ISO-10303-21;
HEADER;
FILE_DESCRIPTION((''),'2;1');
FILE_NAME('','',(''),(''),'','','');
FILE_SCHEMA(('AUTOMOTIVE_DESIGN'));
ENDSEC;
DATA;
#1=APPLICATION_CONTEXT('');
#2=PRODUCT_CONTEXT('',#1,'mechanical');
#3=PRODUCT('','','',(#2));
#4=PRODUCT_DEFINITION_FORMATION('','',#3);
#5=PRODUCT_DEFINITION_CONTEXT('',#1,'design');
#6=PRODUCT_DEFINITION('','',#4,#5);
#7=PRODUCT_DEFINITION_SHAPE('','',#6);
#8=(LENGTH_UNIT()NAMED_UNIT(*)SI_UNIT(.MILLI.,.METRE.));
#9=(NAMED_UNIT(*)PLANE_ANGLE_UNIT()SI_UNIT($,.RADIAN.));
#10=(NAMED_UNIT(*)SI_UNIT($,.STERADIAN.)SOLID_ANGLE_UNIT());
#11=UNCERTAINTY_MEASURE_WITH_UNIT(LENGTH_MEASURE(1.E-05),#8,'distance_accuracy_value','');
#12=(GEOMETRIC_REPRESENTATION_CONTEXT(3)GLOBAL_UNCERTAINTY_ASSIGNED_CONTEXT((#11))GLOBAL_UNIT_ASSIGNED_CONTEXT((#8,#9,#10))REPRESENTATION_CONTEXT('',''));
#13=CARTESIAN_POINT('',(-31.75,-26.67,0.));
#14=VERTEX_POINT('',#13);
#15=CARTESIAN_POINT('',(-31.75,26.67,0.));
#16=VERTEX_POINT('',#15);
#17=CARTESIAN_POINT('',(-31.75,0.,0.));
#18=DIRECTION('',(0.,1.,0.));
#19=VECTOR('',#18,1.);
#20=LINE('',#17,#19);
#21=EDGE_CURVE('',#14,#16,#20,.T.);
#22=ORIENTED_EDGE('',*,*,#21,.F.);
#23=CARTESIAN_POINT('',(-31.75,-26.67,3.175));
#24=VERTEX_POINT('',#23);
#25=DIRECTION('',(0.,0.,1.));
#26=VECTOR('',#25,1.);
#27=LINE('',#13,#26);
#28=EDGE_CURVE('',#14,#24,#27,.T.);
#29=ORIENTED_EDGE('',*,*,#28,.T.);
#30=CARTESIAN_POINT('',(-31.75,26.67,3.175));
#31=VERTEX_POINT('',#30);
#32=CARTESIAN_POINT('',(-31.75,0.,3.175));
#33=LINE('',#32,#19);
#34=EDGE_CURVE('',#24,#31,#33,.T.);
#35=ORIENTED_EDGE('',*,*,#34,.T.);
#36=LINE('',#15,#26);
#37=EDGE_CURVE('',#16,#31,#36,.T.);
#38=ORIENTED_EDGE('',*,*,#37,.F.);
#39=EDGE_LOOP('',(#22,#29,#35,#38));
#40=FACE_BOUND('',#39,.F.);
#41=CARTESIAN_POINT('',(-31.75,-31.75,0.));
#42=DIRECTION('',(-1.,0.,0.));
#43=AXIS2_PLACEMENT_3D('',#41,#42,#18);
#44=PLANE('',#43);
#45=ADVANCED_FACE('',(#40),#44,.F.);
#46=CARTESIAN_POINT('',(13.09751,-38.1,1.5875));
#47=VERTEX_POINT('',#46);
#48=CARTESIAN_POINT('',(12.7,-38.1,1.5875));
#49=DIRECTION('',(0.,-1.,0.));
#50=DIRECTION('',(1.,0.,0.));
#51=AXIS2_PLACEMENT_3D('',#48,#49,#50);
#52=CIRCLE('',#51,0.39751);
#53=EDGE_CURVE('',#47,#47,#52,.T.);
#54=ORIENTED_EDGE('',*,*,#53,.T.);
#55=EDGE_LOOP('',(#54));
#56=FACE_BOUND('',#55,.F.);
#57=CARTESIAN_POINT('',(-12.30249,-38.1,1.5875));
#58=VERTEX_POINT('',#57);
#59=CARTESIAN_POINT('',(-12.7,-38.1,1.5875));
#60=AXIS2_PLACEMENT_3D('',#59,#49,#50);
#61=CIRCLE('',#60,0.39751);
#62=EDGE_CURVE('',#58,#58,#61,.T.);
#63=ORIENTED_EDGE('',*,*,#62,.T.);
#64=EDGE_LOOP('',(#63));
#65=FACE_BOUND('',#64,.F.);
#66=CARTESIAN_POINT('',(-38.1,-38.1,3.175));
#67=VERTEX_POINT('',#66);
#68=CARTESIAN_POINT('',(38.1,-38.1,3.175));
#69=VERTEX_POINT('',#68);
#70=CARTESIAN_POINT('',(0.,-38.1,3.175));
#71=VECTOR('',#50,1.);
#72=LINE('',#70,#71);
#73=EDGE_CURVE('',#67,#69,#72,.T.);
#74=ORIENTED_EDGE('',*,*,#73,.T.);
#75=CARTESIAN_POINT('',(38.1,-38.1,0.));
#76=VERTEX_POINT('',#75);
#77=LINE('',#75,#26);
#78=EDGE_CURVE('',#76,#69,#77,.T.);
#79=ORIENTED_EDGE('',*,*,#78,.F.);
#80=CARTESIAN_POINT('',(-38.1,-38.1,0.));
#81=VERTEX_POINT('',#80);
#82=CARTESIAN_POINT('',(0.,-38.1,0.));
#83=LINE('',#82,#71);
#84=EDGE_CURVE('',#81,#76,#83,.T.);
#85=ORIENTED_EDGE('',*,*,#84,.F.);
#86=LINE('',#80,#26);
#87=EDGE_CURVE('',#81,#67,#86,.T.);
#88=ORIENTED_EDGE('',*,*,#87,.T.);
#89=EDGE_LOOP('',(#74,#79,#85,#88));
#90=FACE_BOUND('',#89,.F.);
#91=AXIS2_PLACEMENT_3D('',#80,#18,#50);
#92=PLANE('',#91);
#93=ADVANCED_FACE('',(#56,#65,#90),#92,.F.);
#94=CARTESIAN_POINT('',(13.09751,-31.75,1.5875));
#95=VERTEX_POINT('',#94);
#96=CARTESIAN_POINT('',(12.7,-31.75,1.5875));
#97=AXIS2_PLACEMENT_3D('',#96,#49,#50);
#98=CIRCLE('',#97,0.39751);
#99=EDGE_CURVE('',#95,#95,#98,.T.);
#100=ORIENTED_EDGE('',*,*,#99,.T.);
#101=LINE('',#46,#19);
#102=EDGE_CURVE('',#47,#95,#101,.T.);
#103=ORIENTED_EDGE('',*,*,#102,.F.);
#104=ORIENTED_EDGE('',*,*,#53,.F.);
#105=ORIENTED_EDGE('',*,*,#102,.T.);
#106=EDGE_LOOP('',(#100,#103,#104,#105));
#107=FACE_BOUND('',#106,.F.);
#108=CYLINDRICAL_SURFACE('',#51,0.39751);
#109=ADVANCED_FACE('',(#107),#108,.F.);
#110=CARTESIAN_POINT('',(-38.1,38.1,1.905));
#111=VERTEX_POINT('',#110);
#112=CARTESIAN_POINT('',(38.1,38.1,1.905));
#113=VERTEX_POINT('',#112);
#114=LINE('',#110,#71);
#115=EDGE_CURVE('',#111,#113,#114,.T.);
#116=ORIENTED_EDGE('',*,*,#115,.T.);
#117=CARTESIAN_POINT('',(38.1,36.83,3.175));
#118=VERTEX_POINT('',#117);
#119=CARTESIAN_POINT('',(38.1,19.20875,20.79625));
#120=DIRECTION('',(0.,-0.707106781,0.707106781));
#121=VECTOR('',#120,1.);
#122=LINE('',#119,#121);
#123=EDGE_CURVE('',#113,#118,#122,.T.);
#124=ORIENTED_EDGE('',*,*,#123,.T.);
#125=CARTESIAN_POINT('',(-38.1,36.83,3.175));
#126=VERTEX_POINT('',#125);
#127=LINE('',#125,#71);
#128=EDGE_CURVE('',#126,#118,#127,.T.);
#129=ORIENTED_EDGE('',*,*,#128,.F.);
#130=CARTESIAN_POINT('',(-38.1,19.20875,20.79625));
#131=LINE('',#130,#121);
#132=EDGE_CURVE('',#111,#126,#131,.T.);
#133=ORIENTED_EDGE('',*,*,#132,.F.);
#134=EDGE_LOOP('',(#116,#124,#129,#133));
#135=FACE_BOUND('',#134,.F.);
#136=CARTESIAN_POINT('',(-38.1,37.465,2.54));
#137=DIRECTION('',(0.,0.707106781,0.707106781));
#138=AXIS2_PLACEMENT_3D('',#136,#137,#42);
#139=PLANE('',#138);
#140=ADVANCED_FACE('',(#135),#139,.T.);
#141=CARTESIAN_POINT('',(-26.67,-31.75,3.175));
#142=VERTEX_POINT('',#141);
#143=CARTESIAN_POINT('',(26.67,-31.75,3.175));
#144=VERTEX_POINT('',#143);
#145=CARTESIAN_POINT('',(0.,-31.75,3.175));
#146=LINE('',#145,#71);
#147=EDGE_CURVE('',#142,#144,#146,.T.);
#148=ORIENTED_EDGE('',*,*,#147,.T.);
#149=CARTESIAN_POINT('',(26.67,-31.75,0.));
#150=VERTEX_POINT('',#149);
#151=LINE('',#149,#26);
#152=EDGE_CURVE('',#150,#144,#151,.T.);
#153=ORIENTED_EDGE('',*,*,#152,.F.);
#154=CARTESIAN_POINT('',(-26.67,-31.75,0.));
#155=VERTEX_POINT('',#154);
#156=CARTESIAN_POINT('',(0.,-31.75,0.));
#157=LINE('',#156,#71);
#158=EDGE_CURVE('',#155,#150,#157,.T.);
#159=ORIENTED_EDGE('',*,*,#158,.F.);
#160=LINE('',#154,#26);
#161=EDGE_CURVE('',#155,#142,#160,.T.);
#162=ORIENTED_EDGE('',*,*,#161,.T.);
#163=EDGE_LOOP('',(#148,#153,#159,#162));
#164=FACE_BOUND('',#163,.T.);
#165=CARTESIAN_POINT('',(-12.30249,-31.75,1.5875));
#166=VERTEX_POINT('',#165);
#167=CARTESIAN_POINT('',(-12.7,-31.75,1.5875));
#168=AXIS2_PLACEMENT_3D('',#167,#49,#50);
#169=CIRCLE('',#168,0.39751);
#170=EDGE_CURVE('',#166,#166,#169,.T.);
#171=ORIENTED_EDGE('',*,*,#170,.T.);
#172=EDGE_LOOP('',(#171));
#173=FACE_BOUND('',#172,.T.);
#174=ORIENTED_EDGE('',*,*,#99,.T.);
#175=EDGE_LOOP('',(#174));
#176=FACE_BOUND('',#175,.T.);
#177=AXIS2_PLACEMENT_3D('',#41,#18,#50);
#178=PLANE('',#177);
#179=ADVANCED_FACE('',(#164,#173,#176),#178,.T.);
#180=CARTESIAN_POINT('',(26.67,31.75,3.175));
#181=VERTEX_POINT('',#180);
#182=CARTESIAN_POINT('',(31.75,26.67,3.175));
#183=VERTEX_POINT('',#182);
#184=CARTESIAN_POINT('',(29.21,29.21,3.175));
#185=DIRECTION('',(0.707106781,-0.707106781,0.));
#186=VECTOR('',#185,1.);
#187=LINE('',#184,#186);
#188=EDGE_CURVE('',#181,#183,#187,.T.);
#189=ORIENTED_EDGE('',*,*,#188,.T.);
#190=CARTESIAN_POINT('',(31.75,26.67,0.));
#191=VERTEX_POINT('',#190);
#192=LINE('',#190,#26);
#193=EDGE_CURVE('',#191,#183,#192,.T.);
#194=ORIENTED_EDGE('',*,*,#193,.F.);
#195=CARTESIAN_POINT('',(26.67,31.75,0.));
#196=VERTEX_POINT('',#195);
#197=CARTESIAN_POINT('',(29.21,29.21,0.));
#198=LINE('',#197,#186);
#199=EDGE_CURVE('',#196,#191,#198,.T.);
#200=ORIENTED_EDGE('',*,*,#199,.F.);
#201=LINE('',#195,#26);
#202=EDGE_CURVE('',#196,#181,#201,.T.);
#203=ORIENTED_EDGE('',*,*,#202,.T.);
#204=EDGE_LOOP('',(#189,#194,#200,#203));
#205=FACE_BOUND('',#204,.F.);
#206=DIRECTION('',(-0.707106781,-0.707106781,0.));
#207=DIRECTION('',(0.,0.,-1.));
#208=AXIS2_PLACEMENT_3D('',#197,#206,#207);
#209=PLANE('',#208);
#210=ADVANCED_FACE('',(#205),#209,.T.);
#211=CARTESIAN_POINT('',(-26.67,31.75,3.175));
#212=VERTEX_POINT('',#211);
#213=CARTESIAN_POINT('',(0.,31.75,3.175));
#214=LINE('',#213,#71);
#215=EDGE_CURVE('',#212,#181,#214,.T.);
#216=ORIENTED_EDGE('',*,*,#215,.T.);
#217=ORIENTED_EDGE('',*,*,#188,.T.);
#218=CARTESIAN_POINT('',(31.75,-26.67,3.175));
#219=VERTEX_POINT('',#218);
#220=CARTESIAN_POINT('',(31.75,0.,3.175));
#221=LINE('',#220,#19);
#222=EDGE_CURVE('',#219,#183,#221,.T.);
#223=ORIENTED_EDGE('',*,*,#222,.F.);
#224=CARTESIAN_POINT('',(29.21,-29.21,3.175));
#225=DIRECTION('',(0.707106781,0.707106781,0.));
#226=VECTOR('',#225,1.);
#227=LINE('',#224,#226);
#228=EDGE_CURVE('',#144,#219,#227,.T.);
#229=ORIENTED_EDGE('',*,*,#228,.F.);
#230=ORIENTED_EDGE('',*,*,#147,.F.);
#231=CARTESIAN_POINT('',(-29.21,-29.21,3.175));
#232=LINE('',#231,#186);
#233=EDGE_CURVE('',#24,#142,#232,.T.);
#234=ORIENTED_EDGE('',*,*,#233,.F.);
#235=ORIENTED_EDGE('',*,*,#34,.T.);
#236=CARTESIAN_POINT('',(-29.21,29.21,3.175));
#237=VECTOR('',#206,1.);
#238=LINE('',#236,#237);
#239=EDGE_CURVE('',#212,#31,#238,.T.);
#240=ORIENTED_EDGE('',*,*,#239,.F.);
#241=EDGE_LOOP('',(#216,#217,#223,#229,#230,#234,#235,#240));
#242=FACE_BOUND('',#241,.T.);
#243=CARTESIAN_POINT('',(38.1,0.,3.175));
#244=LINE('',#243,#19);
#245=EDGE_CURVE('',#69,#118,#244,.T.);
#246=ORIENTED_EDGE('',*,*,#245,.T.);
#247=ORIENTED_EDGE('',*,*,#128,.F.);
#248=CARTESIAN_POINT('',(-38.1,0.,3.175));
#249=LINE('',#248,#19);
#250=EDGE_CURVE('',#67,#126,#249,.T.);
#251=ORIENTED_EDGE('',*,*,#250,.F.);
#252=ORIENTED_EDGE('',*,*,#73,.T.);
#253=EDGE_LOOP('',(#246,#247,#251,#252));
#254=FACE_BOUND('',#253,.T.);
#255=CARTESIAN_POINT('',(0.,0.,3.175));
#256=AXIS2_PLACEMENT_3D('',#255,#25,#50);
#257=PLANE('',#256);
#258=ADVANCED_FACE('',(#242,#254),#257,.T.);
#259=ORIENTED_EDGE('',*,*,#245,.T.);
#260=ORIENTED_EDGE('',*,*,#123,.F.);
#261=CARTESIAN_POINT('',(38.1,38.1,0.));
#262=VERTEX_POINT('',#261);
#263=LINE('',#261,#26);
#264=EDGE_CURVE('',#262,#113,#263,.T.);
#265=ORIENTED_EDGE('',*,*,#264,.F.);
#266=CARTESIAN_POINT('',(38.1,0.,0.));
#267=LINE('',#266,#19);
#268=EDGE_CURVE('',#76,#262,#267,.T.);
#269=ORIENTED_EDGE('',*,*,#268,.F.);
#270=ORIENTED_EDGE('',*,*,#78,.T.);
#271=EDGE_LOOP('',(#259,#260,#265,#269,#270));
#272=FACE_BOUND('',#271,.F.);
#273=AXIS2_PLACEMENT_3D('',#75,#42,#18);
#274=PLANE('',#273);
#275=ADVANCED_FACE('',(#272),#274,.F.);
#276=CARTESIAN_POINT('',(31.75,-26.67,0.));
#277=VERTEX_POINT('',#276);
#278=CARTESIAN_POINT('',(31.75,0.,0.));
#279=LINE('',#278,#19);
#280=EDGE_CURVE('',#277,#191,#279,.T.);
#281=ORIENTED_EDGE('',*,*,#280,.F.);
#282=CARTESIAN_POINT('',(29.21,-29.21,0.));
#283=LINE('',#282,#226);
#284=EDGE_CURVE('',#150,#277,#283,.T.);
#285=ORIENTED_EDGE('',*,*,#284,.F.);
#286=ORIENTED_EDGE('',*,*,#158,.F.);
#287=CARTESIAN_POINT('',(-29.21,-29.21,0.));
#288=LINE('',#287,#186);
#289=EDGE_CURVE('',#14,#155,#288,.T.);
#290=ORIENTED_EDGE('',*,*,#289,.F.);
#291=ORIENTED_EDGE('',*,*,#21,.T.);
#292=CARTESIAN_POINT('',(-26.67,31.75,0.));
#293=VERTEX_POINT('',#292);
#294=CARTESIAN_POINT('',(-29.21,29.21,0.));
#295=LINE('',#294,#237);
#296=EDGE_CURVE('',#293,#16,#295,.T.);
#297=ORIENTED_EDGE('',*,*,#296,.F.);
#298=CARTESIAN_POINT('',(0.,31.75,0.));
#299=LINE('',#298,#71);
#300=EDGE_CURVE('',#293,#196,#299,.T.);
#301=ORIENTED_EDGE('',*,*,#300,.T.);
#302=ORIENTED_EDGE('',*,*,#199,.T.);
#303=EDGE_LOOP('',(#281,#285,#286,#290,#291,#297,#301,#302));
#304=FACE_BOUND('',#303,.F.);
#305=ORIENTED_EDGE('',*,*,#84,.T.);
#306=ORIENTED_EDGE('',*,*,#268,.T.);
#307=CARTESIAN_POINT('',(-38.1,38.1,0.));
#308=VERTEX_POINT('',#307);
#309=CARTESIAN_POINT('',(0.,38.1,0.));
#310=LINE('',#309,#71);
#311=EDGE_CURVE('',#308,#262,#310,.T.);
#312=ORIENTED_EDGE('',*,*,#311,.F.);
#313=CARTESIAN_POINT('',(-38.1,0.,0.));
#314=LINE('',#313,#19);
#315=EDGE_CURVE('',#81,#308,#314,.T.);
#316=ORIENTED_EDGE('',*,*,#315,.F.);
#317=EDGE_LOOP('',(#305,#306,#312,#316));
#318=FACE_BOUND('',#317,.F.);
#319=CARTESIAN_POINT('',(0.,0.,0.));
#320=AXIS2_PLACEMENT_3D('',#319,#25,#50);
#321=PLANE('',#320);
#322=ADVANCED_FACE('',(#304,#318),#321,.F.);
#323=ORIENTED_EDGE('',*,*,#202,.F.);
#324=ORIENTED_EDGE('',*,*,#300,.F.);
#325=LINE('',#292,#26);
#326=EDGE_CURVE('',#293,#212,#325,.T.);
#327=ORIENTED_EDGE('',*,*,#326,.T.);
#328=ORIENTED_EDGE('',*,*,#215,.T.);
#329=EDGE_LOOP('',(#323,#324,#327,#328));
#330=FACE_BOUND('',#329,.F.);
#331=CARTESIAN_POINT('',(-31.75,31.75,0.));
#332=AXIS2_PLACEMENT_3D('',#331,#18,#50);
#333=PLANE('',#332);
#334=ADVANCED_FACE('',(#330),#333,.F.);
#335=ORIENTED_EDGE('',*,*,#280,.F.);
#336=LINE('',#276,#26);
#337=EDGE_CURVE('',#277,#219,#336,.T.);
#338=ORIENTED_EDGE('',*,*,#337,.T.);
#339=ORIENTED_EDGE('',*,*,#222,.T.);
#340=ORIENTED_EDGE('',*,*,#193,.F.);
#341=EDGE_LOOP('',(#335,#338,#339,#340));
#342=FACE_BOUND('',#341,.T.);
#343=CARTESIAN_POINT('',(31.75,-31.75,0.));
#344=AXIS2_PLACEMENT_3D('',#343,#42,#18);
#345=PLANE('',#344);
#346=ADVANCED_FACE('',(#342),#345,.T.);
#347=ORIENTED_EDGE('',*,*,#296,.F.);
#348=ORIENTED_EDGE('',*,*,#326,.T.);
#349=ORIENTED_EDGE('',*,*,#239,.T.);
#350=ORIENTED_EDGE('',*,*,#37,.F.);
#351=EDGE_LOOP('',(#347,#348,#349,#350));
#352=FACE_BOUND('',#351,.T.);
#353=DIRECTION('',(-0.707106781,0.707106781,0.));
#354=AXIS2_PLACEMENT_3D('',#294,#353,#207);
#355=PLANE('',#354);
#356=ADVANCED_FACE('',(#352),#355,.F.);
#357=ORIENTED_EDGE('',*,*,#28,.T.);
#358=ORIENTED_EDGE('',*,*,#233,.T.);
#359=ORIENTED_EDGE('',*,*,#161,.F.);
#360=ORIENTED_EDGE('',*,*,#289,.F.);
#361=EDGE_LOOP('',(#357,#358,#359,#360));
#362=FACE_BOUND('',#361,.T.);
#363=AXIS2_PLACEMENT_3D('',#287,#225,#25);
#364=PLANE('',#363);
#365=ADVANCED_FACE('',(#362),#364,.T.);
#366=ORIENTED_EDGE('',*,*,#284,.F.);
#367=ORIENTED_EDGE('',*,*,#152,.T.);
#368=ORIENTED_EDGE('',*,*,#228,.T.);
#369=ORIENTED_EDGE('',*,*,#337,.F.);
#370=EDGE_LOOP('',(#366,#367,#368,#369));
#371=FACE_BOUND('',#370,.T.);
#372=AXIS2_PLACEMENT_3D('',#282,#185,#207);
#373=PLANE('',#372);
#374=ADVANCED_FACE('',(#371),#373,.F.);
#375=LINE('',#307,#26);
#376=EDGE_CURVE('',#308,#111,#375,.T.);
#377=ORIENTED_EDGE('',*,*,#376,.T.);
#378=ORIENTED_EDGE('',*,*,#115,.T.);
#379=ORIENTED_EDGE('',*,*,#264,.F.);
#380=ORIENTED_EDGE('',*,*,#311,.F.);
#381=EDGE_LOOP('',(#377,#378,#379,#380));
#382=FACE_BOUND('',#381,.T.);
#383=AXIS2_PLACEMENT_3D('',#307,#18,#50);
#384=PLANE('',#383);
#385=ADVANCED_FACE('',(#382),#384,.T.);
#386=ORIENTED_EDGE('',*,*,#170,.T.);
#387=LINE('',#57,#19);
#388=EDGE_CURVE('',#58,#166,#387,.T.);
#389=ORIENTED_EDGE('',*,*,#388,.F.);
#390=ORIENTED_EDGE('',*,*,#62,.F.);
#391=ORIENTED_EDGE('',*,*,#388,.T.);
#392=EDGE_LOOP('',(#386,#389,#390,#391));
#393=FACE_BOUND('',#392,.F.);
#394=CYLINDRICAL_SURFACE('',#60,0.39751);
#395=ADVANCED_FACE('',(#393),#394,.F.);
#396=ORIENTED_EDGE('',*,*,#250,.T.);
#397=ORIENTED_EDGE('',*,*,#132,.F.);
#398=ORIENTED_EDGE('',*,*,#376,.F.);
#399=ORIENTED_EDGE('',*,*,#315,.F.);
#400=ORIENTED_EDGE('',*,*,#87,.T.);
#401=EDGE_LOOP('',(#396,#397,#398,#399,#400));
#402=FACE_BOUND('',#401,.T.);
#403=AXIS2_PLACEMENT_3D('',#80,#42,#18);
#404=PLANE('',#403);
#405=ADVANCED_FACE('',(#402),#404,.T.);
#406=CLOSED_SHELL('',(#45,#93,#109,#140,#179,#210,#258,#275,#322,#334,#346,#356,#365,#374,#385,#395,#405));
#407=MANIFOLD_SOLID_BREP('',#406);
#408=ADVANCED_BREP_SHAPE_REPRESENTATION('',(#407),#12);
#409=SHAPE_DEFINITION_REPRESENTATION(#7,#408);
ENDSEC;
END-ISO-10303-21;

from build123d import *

# Parameters (mm, degrees)
F0_W     = 76.2
F0_H     = 76.2
F0_W_2   = 63.5
F0_H_2   = 63.5
F1_DEPTH = 3.175
F2_SIZE  = 5.08
F3_SIZE  = 5.08
F4_SIZE  = 5.08
F5_SIZE  = 5.08
F6_SIZE  = 1.27
F7_R     = 0.39751
F8_DEPTH = 6.35


with BuildPart() as f1:
    # F0 (on Top) → F1 (new body)
    with BuildSketch(Plane.XY):
        Rectangle(F0_W, F0_H)
        Rectangle(F0_W_2, F0_H_2, mode=Mode.SUBTRACT)
    extrude(amount=F1_DEPTH)

    # F2
    f2_edges = [f1.edges().sort_by_distance(p)[0] for p in [
        (-31.75, 31.75, 1.5875),
    ]]
    chamfer(f2_edges, length=F2_SIZE)

    # F3
    f3_edges = [f1.edges().sort_by_distance(p)[0] for p in [
        (31.75, 31.75, 1.5875),
    ]]
    chamfer(f3_edges, length=F3_SIZE)

    # F4
    f4_edges = [f1.edges().sort_by_distance(p)[0] for p in [
        (-31.75, -31.75, 1.5875),
    ]]
    chamfer(f4_edges, length=F4_SIZE)

    # F5
    f5_edges = [f1.edges().sort_by_distance(p)[0] for p in [
        (31.75, -31.75, 1.5875),
    ]]
    chamfer(f5_edges, length=F5_SIZE)

    # F6
    f6_edges = [f1.edges().sort_by_distance(p)[0] for p in [
        (0, 38.1, 3.175),
    ]]
    chamfer(f6_edges, length=F6_SIZE)

    # F7 (on face) → F8 (cut)
    with BuildSketch(Plane.XZ.offset(38.1)):
        with Locations((-12.7, 1.5875)):
            Circle(F7_R)
        with Locations((12.7, 1.5875)):
            Circle(F7_R)
    extrude(amount=-F8_DEPTH, mode=Mode.SUBTRACT)


solid = f1.part
